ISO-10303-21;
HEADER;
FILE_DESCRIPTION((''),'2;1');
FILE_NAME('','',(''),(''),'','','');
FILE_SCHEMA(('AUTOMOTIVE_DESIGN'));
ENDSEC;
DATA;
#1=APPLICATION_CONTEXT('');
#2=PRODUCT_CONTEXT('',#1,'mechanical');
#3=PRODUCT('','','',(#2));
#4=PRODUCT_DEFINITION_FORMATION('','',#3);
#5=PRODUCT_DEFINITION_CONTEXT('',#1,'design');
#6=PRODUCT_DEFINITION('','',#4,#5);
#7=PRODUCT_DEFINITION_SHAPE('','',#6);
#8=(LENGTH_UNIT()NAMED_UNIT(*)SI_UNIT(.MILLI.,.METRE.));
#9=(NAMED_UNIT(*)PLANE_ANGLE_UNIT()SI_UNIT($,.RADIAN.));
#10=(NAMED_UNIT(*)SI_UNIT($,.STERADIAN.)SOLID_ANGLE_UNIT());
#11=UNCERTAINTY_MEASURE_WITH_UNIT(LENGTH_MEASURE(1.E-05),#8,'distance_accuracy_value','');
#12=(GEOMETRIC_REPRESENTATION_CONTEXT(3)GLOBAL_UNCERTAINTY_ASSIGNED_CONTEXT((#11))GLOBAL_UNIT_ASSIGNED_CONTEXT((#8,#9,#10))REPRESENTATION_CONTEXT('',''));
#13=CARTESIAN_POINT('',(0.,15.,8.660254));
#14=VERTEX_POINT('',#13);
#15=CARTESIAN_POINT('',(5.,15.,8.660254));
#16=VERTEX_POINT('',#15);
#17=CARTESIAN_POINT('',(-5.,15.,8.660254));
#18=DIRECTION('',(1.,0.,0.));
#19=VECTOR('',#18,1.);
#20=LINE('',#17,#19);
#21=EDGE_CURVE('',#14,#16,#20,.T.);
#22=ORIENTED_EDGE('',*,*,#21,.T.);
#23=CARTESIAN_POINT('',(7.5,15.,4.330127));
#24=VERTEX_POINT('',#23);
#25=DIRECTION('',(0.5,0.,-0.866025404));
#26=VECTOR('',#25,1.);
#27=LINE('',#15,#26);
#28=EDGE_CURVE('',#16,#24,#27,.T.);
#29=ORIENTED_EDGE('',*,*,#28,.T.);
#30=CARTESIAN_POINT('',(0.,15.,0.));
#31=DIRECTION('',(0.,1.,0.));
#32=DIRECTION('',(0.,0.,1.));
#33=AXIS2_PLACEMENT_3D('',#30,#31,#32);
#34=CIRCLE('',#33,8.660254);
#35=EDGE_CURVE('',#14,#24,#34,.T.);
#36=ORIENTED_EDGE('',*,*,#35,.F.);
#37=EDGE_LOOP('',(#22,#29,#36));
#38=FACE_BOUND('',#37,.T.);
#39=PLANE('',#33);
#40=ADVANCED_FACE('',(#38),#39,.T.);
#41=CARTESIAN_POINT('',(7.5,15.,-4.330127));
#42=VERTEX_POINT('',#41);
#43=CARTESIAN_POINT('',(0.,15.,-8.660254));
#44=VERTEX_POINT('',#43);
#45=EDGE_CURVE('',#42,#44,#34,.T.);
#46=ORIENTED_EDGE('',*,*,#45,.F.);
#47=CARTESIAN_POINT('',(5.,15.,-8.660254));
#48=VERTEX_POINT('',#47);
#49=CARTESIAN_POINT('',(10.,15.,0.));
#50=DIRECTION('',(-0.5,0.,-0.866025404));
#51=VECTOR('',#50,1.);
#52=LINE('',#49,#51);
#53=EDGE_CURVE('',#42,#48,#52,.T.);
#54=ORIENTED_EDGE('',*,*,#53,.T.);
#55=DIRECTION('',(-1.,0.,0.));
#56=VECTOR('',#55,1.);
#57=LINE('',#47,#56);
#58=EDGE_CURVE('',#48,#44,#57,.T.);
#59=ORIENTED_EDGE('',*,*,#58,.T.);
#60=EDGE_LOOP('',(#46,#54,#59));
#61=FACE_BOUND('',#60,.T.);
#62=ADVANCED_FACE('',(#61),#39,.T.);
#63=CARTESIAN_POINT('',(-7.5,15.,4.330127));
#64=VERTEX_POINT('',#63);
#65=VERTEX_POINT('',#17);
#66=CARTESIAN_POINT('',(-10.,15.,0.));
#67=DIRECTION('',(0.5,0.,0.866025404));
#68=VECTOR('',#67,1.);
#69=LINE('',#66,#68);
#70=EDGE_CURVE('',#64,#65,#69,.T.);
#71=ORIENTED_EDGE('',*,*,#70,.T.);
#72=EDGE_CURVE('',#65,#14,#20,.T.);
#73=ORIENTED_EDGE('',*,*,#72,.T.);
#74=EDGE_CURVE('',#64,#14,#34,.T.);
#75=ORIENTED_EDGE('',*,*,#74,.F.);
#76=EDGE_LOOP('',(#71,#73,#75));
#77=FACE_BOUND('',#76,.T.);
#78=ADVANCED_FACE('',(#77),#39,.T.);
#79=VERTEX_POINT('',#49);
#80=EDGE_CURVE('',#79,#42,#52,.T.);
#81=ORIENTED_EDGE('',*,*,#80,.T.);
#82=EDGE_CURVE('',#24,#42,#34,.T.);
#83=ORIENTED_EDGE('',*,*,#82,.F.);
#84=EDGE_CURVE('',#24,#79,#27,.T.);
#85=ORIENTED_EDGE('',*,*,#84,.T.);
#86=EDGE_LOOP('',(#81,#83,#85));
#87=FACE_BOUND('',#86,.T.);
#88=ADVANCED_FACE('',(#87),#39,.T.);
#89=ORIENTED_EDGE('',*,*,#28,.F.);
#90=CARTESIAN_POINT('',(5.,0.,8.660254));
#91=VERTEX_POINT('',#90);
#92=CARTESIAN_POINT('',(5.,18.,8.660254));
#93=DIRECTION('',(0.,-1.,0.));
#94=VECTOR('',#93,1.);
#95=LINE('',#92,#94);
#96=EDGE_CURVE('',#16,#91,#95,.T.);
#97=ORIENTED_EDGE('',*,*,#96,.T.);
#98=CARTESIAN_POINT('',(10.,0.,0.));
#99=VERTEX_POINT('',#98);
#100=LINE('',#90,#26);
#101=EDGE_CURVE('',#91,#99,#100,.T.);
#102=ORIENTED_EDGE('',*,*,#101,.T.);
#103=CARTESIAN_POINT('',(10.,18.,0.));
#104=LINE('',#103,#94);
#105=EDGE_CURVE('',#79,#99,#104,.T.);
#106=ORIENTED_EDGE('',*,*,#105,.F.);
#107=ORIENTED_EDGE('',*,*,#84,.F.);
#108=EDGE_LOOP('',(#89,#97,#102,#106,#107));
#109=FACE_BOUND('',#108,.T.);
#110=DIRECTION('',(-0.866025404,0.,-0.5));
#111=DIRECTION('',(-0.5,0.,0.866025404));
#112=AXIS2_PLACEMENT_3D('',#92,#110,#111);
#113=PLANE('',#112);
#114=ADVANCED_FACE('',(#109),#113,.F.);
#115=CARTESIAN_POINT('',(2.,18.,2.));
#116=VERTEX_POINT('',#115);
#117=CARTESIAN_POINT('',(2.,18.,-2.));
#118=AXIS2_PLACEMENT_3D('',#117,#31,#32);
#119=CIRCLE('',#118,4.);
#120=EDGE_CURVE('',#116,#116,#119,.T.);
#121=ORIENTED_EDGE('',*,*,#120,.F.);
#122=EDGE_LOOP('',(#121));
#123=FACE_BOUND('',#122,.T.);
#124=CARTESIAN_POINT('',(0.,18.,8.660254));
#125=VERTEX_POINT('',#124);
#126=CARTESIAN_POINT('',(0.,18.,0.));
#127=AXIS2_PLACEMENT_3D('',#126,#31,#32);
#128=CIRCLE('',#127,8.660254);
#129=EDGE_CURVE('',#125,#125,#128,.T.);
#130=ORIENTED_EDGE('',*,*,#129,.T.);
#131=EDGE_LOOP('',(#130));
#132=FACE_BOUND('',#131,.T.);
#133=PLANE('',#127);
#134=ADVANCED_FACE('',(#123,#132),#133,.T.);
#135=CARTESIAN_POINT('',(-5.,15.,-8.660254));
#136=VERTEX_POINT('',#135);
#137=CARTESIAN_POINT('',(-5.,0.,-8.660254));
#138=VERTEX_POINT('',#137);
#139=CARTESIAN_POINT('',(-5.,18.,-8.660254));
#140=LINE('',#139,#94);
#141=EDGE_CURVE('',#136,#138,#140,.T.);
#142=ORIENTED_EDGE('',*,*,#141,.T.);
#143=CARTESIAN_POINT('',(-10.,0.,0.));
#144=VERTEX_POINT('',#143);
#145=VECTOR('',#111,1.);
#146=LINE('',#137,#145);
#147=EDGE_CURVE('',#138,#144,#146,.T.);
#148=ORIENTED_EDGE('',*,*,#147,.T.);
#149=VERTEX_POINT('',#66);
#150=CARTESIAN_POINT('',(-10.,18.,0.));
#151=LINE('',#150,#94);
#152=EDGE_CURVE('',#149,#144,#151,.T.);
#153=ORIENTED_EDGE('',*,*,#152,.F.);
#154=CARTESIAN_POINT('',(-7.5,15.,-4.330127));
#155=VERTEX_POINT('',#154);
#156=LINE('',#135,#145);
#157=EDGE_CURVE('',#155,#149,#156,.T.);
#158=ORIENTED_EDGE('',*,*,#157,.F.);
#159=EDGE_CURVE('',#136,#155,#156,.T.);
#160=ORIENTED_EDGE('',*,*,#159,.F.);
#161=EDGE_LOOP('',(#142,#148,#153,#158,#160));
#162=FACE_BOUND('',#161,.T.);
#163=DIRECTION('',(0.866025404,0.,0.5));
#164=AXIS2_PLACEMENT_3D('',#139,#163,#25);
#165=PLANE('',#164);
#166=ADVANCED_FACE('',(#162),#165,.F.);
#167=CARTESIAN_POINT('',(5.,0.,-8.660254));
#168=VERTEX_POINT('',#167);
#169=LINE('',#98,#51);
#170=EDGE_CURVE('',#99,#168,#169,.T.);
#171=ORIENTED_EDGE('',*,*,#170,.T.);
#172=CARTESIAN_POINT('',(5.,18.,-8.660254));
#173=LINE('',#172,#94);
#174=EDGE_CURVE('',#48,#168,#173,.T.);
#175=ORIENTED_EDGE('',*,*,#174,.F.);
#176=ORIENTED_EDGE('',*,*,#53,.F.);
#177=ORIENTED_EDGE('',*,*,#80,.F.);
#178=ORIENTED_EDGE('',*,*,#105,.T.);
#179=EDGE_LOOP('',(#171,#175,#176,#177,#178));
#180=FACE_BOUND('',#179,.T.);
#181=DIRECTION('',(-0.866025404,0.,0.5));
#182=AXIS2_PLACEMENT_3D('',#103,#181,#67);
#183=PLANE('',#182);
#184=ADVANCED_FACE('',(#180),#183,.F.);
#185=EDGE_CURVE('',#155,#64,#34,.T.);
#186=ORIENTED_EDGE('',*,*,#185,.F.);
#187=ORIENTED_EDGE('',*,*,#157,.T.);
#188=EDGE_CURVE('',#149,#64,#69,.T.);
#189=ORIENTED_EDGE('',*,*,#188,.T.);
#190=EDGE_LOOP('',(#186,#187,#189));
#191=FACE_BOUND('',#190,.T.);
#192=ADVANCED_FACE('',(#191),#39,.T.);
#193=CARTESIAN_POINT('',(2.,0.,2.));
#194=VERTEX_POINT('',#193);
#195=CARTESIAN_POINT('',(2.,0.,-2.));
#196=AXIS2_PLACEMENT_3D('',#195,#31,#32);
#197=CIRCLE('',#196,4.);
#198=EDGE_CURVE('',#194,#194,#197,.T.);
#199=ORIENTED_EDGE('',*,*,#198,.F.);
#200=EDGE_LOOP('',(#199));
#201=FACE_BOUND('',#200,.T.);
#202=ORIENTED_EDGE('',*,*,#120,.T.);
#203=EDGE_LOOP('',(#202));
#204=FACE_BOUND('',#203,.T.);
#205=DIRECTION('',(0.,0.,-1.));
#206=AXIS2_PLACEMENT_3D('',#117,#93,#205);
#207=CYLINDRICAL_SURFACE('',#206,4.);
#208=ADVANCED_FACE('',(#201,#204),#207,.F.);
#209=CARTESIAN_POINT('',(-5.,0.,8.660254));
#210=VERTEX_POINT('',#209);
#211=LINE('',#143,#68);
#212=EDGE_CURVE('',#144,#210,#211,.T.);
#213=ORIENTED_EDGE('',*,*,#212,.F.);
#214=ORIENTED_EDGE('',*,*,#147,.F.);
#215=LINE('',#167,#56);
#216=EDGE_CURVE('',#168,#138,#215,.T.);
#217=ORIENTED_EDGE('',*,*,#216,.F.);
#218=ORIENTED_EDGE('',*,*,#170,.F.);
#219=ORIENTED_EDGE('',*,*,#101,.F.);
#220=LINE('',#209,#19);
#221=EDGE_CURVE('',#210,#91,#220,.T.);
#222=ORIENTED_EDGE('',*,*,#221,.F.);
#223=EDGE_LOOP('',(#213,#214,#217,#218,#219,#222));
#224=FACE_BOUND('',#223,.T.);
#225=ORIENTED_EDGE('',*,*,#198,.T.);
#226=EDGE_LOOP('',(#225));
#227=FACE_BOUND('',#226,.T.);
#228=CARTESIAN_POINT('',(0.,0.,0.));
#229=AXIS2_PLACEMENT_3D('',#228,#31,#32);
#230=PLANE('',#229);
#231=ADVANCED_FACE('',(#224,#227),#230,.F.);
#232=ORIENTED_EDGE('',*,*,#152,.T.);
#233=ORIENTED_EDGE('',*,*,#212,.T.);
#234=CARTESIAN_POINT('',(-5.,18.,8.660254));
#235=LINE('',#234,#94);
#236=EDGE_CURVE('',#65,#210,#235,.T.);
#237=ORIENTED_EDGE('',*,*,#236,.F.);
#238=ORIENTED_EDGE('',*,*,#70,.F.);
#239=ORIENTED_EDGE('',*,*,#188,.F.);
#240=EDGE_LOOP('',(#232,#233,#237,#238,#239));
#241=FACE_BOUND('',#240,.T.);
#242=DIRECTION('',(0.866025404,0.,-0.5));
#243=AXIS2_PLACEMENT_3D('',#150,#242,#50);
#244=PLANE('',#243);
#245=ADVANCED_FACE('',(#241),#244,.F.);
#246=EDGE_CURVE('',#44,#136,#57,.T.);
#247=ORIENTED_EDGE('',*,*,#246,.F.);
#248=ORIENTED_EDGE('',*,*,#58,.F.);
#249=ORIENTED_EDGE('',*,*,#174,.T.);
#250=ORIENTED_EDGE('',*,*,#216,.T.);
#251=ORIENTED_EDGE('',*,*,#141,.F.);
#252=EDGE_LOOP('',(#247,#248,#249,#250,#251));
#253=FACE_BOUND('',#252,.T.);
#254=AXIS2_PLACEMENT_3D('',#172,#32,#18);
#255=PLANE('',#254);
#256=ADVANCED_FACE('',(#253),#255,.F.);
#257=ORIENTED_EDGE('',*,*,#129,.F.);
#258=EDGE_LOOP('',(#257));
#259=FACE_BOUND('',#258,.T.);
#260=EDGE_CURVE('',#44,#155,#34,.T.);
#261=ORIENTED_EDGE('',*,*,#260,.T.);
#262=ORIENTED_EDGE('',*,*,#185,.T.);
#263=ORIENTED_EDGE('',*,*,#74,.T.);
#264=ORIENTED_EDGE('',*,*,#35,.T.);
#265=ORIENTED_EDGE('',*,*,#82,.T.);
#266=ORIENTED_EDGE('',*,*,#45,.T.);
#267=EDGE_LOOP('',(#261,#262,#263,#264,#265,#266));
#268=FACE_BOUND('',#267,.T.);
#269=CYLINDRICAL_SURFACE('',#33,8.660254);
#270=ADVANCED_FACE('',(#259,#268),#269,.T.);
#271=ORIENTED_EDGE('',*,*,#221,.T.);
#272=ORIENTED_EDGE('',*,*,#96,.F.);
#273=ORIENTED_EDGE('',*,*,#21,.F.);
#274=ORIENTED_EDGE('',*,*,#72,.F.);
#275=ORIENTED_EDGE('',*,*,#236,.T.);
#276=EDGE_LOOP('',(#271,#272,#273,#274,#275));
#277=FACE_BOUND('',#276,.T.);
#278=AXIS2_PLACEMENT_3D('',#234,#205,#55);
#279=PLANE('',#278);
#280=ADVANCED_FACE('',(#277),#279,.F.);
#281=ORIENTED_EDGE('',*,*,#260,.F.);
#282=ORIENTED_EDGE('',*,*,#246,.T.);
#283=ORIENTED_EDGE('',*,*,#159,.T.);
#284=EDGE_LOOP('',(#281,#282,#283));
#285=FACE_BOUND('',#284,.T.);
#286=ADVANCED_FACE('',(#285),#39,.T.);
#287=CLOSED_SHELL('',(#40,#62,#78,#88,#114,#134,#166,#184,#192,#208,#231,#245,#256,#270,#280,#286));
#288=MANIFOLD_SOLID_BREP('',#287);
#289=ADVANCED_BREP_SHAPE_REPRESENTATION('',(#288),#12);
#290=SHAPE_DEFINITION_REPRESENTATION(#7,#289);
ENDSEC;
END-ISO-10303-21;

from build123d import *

# Parameters (mm, degrees)
SKETCH1_R           = 4
BOSS_EXTRUDE1_DEPTH = 18
SKETCH3_R           = 13.976554855
SKETCH3_R_2         = 8.660254038
CUT_EXTRUDE1_DEPTH  = 3


with BuildPart() as part:
    # Sketch1 → Boss-Extrude1 (new body)
    with BuildSketch(Plane(origin=(0, 0, 0), x_dir=(1, 0, 0), z_dir=(0, 1, 0))):
        Polygon((10, 0), (5, 8.660254038), (-5, 8.660254038), (-10, 0), (-5, -8.660254038), (5, -8.660254038), align=None)
        with Locations(Location((2, 2, 0), (0, 0, 270))):
            Circle(SKETCH1_R, mode=Mode.SUBTRACT)
    extrude(amount=BOSS_EXTRUDE1_DEPTH)

    # Sketch3 → Cut-Extrude1 (cut)
    with BuildSketch(Plane(origin=(0, 18, 0), x_dir=(1, 0, 0), z_dir=(0, 1, 0))):
        Circle(SKETCH3_R)
        with Locations(Location((0, 0, 0), (0, 0, 270))):
            Circle(SKETCH3_R_2, mode=Mode.SUBTRACT)
    extrude(amount=-CUT_EXTRUDE1_DEPTH, mode=Mode.SUBTRACT)


solid = part.part
